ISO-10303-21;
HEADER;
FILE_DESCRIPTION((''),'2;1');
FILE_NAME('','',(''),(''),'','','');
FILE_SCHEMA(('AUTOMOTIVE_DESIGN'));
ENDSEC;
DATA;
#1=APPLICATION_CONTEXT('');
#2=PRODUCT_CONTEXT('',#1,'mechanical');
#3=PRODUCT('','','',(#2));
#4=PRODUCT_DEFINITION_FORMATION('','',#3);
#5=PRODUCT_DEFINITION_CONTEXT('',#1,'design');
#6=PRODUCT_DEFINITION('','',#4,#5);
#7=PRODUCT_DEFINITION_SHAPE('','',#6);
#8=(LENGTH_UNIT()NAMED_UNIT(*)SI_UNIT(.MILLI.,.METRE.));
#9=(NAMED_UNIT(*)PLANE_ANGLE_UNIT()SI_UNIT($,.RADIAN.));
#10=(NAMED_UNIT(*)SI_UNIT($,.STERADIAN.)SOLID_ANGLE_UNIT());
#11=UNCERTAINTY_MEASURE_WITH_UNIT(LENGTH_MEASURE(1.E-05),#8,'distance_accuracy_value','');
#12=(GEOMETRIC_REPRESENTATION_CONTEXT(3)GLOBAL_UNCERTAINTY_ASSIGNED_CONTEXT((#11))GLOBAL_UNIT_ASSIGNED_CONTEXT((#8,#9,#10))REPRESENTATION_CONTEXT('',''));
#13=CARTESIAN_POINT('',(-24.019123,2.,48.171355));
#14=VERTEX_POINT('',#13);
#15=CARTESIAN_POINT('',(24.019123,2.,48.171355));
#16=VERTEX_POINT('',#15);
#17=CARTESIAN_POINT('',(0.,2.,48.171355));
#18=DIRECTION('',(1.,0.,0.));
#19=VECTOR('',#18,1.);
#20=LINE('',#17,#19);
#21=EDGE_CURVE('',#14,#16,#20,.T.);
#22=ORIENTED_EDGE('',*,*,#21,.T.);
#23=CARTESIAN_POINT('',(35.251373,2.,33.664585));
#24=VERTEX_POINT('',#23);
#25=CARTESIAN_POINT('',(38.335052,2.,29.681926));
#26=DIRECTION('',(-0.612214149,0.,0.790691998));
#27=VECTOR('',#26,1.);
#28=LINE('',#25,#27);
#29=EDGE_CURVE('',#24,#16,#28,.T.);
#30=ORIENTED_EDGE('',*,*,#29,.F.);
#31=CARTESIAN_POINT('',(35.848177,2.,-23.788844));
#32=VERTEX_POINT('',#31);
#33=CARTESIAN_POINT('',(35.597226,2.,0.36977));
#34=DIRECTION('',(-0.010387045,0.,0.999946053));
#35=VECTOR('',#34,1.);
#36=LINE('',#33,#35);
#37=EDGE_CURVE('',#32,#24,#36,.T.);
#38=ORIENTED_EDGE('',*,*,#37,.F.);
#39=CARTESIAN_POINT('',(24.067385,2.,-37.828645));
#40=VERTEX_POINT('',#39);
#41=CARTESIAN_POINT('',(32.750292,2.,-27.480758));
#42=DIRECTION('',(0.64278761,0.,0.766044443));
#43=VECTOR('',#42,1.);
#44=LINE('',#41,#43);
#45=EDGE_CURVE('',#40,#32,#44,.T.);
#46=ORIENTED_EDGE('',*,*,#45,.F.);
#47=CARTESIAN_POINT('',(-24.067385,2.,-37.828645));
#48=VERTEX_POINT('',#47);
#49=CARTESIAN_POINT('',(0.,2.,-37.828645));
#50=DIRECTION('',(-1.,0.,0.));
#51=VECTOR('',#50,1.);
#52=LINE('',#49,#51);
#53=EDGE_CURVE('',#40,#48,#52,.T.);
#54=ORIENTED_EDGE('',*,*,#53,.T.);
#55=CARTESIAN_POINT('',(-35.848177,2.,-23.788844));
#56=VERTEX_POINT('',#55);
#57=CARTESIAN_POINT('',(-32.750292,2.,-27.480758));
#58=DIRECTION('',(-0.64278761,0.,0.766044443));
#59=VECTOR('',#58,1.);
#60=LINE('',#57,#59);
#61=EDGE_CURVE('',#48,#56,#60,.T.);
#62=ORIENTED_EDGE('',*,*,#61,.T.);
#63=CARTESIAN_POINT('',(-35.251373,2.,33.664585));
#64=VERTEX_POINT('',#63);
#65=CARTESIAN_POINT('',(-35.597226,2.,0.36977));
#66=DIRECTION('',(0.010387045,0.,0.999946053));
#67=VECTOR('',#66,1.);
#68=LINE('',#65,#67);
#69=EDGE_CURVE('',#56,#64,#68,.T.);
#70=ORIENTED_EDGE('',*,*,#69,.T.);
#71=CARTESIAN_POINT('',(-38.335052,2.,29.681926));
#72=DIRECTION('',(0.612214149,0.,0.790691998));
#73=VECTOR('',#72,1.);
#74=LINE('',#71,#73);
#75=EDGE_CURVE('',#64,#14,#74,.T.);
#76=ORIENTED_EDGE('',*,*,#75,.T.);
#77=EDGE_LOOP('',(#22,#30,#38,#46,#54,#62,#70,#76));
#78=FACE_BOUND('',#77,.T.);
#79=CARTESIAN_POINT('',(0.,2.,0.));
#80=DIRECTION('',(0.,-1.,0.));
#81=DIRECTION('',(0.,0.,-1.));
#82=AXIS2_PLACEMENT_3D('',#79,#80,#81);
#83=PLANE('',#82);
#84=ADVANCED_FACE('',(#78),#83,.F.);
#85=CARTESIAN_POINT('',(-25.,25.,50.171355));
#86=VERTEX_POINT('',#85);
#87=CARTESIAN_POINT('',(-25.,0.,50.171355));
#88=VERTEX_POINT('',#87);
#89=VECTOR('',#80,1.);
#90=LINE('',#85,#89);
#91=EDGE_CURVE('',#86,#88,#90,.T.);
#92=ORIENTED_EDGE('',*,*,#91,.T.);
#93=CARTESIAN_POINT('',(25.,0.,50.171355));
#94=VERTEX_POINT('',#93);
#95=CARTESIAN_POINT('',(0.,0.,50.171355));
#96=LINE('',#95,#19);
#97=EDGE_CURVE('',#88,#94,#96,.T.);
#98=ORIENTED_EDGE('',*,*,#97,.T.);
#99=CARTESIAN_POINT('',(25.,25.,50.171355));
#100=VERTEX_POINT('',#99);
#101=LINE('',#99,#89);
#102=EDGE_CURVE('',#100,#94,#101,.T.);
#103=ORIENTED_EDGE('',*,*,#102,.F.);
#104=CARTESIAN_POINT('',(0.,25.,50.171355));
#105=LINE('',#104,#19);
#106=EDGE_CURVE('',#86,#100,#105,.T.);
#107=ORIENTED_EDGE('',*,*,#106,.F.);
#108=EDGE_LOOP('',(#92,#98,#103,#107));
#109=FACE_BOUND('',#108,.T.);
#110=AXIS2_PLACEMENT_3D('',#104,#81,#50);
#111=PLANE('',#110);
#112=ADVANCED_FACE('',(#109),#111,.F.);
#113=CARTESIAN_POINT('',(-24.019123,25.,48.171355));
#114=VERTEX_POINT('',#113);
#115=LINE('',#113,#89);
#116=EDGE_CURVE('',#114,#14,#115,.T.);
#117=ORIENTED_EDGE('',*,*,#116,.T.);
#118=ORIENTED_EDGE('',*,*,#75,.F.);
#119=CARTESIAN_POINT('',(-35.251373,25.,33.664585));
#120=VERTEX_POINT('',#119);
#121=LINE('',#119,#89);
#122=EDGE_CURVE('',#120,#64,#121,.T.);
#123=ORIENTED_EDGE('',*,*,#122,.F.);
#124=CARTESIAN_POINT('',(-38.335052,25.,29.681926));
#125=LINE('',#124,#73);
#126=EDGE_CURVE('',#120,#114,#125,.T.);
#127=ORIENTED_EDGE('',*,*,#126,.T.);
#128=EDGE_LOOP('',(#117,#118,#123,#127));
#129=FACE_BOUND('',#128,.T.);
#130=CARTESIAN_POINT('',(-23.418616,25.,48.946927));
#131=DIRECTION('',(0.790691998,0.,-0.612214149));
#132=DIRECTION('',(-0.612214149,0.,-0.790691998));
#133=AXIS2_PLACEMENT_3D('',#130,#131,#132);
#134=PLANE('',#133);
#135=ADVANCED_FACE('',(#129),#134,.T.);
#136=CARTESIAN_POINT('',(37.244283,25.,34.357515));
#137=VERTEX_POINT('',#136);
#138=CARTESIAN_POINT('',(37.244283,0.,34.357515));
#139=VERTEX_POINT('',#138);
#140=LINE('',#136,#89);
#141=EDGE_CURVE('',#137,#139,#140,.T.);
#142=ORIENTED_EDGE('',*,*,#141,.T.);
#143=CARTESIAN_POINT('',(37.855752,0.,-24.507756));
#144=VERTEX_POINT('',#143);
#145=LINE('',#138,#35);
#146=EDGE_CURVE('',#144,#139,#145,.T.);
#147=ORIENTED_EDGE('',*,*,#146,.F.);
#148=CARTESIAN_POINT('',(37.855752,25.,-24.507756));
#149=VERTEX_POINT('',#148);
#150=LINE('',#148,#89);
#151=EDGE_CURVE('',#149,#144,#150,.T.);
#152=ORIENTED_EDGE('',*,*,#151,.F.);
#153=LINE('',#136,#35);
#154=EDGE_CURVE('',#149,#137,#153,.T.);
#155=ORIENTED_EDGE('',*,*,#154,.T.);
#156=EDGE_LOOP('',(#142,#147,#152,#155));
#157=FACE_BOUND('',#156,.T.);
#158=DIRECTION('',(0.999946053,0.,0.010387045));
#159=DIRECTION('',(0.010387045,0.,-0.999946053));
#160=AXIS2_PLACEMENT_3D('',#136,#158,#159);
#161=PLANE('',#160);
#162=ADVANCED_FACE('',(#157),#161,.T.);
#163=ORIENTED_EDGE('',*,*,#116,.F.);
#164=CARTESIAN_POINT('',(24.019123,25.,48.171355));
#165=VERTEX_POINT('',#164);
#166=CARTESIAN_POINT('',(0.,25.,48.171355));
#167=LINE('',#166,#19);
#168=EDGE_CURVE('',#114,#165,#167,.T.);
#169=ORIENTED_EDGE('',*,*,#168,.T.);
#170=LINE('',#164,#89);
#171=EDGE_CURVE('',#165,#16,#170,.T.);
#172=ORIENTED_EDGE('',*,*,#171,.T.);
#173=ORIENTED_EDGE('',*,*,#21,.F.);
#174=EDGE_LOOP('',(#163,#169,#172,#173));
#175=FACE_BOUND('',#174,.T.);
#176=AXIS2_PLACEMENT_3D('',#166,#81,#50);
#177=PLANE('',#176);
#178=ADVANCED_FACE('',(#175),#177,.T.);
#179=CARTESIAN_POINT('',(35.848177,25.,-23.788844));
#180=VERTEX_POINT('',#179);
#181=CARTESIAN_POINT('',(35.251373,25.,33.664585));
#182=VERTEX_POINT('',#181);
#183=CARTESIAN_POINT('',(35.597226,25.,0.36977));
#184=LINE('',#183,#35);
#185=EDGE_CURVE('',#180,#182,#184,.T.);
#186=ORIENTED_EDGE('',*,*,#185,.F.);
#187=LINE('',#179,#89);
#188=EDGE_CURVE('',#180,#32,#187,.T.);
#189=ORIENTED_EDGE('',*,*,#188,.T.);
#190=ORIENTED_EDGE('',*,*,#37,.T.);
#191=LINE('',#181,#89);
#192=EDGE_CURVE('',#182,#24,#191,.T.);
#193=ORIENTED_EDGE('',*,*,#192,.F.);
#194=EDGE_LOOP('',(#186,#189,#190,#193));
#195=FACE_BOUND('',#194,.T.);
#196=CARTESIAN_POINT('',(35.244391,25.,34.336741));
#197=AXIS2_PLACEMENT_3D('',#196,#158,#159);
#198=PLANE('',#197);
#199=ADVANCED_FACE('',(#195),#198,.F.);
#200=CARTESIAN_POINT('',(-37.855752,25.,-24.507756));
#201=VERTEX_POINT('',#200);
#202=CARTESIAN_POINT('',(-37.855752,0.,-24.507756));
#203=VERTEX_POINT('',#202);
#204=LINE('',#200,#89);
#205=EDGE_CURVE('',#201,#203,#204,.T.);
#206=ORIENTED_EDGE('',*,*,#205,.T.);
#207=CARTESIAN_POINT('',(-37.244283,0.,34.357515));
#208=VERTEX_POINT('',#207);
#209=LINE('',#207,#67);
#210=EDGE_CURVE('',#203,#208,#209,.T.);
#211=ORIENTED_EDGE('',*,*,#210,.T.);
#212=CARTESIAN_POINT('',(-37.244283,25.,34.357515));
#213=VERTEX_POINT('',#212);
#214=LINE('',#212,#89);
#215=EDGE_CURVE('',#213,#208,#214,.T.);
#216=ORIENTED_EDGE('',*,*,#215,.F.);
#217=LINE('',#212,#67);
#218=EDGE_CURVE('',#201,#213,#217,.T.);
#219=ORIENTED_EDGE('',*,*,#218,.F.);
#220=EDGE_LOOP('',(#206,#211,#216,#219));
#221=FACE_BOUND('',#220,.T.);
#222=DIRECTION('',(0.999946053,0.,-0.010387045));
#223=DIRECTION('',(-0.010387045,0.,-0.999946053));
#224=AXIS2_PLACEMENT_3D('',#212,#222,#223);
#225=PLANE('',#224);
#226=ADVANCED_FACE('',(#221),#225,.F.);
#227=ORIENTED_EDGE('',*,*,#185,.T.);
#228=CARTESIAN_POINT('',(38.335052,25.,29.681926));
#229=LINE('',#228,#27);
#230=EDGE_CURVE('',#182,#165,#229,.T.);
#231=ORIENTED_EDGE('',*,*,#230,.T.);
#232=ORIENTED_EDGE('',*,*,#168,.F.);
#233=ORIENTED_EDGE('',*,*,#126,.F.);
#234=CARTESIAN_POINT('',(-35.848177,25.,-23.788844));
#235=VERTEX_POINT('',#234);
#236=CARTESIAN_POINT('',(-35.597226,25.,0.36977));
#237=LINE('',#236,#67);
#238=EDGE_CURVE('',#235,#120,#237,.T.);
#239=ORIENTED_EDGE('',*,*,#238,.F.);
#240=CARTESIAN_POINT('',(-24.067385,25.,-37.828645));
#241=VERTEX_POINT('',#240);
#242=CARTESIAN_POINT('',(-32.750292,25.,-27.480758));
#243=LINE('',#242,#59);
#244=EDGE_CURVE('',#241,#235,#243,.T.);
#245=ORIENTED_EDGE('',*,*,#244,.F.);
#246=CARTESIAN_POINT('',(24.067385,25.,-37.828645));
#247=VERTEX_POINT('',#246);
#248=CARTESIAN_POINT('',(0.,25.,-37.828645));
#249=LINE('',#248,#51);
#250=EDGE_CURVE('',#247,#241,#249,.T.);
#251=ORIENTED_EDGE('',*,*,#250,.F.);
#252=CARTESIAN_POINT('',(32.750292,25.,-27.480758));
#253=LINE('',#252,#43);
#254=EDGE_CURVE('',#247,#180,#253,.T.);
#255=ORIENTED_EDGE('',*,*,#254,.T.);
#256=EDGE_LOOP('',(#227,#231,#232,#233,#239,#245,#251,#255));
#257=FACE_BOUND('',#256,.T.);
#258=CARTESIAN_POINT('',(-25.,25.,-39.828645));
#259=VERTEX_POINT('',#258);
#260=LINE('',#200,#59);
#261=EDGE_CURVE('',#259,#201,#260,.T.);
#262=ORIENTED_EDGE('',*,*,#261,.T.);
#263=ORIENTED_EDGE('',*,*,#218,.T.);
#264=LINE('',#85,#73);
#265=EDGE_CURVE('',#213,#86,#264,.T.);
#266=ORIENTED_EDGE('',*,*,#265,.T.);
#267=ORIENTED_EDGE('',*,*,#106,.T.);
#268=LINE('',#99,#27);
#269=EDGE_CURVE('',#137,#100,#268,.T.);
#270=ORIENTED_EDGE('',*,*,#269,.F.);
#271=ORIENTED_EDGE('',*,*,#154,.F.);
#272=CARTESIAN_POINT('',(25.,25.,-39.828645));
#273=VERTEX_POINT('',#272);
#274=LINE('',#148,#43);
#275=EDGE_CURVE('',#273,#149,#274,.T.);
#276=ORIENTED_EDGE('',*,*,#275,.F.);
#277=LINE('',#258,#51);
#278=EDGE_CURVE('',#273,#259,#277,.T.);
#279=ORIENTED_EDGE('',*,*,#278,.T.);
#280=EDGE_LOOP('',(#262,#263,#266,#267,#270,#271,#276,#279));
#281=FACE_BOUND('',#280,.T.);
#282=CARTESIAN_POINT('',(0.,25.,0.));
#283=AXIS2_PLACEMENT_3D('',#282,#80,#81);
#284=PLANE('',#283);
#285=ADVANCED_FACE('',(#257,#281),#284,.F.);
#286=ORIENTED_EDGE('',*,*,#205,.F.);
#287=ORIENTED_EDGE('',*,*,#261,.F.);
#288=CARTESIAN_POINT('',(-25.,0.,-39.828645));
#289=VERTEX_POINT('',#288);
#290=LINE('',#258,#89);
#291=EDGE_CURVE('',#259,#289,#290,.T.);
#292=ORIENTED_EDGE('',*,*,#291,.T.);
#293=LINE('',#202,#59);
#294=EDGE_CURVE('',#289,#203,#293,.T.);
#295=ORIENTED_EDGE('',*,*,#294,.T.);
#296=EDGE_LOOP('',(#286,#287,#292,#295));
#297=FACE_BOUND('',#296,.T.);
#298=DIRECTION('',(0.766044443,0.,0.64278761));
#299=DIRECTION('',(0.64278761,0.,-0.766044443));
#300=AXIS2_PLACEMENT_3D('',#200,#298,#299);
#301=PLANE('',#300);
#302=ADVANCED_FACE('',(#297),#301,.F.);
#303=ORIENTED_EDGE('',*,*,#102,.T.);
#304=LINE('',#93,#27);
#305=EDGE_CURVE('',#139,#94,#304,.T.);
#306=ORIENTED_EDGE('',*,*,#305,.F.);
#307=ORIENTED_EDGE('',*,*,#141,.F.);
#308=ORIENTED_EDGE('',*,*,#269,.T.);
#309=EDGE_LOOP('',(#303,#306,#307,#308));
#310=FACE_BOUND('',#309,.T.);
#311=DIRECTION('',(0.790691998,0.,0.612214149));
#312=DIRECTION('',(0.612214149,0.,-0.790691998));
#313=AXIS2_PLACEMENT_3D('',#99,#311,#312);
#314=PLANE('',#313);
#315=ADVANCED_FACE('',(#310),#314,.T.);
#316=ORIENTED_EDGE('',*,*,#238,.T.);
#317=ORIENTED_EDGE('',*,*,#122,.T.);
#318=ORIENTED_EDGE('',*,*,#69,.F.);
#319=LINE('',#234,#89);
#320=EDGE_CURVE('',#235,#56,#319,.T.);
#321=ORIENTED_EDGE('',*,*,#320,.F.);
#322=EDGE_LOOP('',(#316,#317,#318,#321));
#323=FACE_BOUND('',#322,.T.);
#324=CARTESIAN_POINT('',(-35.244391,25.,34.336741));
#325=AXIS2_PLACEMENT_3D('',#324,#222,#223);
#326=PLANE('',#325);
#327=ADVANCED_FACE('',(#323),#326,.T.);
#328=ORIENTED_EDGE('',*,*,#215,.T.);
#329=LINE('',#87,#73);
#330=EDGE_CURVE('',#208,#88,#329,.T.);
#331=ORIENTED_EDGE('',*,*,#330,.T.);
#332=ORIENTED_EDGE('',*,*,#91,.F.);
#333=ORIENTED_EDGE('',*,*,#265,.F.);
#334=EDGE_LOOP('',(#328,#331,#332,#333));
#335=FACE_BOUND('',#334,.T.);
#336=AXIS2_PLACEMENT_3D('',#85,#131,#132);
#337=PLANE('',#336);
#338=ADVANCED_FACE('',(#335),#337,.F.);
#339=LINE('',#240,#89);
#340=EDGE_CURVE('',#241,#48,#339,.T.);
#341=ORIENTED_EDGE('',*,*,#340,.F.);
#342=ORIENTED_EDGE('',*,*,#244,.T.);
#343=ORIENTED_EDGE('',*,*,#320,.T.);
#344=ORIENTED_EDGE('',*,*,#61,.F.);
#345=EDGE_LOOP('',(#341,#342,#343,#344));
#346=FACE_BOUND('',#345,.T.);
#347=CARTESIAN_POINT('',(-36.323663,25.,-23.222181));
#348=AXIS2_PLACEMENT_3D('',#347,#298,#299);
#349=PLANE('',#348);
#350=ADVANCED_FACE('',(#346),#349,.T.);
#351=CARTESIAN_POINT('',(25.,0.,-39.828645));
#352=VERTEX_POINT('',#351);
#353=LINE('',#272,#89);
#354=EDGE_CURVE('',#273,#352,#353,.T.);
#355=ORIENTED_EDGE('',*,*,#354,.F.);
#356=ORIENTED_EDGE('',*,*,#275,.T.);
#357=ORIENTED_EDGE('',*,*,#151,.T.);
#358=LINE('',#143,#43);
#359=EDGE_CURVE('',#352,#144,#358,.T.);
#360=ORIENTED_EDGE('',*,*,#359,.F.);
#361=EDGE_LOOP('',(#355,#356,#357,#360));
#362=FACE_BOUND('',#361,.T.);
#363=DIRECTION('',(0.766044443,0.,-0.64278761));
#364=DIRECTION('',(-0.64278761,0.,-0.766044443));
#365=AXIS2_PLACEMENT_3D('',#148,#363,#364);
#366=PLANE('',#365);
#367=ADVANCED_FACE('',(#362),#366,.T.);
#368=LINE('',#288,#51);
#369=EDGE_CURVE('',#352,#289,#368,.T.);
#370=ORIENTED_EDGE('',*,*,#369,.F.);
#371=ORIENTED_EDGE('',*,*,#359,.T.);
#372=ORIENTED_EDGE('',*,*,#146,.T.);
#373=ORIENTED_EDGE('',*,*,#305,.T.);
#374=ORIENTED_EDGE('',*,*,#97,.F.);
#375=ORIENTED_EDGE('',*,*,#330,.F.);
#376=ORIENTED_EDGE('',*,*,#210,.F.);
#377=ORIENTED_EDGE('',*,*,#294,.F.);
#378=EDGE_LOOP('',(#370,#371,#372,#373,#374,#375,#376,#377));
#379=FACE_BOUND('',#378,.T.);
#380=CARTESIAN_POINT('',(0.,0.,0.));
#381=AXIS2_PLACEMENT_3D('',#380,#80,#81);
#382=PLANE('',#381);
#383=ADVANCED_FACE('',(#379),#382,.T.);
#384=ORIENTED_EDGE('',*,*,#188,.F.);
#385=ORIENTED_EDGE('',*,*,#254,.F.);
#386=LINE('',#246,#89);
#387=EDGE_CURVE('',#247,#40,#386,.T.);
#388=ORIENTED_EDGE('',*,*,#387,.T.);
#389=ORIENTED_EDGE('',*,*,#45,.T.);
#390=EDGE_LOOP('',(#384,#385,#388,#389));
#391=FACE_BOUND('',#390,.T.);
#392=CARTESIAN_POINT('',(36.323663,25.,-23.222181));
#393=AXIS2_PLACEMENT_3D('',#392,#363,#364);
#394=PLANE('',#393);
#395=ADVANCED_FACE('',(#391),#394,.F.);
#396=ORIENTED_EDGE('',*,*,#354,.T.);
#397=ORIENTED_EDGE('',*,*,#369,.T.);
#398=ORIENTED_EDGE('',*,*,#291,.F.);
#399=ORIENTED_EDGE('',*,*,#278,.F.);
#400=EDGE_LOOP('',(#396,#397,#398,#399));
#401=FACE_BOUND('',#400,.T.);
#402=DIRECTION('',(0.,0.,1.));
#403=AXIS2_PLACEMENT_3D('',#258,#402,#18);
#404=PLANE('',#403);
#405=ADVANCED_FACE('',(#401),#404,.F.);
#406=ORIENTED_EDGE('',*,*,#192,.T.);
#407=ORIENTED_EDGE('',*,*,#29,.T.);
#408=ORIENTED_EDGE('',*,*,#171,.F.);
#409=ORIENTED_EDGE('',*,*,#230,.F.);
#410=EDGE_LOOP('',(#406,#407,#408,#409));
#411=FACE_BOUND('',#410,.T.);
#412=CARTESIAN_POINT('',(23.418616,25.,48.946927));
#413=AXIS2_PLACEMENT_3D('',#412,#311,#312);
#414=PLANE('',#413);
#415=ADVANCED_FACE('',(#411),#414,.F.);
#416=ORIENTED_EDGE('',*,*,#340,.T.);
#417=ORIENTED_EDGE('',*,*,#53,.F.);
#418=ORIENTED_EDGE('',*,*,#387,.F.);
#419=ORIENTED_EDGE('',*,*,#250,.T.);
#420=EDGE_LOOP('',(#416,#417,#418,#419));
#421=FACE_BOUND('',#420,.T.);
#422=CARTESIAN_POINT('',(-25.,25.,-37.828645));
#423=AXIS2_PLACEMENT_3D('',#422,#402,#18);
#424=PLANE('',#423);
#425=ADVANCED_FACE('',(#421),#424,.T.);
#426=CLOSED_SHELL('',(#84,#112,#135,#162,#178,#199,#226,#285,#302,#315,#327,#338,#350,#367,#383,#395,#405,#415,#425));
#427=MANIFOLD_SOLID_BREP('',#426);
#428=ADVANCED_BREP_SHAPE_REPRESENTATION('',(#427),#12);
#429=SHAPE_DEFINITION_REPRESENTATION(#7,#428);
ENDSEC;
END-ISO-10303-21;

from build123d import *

# Parameters (mm, degrees)
AUFSATZ_LINEAR_AUSTRAGEN1_DEPTH = 25
WANDUNG2_T                      = -2


with BuildPart() as part:
    # Skizze1 → Aufsatz-Linear austragen1 (new body)
    with BuildSketch(Plane(origin=(0, 0, 0), x_dir=(1, 0, 0), z_dir=(0, 1, 0))):
        Polygon((0, -50.171355376), (-25, -50.171355376), (-37.244282987, -34.357515421), (-37.855752194, 24.507755761), (-25, 39.828644624), (0, 39.828644624), align=None)
    aufsatz_linear_austragen1 = extrude(amount=AUFSATZ_LINEAR_AUSTRAGEN1_DEPTH)

    # Spiegeln1: Aufsatz-Linear austragen1 across plane
    add(aufsatz_linear_austragen1.mirror(Plane(origin=(0, 0, 0), x_dir=(0, 0, 1), z_dir=(1, 0, 0))))

    # Wandung2
    wandung2_openings = [part.faces().sort_by_distance(p)[0] for p in [
        (0, 25, 5.030518753),
    ]]
    offset(amount=WANDUNG2_T, openings=wandung2_openings, kind=Kind.INTERSECTION)


solid = part.part
